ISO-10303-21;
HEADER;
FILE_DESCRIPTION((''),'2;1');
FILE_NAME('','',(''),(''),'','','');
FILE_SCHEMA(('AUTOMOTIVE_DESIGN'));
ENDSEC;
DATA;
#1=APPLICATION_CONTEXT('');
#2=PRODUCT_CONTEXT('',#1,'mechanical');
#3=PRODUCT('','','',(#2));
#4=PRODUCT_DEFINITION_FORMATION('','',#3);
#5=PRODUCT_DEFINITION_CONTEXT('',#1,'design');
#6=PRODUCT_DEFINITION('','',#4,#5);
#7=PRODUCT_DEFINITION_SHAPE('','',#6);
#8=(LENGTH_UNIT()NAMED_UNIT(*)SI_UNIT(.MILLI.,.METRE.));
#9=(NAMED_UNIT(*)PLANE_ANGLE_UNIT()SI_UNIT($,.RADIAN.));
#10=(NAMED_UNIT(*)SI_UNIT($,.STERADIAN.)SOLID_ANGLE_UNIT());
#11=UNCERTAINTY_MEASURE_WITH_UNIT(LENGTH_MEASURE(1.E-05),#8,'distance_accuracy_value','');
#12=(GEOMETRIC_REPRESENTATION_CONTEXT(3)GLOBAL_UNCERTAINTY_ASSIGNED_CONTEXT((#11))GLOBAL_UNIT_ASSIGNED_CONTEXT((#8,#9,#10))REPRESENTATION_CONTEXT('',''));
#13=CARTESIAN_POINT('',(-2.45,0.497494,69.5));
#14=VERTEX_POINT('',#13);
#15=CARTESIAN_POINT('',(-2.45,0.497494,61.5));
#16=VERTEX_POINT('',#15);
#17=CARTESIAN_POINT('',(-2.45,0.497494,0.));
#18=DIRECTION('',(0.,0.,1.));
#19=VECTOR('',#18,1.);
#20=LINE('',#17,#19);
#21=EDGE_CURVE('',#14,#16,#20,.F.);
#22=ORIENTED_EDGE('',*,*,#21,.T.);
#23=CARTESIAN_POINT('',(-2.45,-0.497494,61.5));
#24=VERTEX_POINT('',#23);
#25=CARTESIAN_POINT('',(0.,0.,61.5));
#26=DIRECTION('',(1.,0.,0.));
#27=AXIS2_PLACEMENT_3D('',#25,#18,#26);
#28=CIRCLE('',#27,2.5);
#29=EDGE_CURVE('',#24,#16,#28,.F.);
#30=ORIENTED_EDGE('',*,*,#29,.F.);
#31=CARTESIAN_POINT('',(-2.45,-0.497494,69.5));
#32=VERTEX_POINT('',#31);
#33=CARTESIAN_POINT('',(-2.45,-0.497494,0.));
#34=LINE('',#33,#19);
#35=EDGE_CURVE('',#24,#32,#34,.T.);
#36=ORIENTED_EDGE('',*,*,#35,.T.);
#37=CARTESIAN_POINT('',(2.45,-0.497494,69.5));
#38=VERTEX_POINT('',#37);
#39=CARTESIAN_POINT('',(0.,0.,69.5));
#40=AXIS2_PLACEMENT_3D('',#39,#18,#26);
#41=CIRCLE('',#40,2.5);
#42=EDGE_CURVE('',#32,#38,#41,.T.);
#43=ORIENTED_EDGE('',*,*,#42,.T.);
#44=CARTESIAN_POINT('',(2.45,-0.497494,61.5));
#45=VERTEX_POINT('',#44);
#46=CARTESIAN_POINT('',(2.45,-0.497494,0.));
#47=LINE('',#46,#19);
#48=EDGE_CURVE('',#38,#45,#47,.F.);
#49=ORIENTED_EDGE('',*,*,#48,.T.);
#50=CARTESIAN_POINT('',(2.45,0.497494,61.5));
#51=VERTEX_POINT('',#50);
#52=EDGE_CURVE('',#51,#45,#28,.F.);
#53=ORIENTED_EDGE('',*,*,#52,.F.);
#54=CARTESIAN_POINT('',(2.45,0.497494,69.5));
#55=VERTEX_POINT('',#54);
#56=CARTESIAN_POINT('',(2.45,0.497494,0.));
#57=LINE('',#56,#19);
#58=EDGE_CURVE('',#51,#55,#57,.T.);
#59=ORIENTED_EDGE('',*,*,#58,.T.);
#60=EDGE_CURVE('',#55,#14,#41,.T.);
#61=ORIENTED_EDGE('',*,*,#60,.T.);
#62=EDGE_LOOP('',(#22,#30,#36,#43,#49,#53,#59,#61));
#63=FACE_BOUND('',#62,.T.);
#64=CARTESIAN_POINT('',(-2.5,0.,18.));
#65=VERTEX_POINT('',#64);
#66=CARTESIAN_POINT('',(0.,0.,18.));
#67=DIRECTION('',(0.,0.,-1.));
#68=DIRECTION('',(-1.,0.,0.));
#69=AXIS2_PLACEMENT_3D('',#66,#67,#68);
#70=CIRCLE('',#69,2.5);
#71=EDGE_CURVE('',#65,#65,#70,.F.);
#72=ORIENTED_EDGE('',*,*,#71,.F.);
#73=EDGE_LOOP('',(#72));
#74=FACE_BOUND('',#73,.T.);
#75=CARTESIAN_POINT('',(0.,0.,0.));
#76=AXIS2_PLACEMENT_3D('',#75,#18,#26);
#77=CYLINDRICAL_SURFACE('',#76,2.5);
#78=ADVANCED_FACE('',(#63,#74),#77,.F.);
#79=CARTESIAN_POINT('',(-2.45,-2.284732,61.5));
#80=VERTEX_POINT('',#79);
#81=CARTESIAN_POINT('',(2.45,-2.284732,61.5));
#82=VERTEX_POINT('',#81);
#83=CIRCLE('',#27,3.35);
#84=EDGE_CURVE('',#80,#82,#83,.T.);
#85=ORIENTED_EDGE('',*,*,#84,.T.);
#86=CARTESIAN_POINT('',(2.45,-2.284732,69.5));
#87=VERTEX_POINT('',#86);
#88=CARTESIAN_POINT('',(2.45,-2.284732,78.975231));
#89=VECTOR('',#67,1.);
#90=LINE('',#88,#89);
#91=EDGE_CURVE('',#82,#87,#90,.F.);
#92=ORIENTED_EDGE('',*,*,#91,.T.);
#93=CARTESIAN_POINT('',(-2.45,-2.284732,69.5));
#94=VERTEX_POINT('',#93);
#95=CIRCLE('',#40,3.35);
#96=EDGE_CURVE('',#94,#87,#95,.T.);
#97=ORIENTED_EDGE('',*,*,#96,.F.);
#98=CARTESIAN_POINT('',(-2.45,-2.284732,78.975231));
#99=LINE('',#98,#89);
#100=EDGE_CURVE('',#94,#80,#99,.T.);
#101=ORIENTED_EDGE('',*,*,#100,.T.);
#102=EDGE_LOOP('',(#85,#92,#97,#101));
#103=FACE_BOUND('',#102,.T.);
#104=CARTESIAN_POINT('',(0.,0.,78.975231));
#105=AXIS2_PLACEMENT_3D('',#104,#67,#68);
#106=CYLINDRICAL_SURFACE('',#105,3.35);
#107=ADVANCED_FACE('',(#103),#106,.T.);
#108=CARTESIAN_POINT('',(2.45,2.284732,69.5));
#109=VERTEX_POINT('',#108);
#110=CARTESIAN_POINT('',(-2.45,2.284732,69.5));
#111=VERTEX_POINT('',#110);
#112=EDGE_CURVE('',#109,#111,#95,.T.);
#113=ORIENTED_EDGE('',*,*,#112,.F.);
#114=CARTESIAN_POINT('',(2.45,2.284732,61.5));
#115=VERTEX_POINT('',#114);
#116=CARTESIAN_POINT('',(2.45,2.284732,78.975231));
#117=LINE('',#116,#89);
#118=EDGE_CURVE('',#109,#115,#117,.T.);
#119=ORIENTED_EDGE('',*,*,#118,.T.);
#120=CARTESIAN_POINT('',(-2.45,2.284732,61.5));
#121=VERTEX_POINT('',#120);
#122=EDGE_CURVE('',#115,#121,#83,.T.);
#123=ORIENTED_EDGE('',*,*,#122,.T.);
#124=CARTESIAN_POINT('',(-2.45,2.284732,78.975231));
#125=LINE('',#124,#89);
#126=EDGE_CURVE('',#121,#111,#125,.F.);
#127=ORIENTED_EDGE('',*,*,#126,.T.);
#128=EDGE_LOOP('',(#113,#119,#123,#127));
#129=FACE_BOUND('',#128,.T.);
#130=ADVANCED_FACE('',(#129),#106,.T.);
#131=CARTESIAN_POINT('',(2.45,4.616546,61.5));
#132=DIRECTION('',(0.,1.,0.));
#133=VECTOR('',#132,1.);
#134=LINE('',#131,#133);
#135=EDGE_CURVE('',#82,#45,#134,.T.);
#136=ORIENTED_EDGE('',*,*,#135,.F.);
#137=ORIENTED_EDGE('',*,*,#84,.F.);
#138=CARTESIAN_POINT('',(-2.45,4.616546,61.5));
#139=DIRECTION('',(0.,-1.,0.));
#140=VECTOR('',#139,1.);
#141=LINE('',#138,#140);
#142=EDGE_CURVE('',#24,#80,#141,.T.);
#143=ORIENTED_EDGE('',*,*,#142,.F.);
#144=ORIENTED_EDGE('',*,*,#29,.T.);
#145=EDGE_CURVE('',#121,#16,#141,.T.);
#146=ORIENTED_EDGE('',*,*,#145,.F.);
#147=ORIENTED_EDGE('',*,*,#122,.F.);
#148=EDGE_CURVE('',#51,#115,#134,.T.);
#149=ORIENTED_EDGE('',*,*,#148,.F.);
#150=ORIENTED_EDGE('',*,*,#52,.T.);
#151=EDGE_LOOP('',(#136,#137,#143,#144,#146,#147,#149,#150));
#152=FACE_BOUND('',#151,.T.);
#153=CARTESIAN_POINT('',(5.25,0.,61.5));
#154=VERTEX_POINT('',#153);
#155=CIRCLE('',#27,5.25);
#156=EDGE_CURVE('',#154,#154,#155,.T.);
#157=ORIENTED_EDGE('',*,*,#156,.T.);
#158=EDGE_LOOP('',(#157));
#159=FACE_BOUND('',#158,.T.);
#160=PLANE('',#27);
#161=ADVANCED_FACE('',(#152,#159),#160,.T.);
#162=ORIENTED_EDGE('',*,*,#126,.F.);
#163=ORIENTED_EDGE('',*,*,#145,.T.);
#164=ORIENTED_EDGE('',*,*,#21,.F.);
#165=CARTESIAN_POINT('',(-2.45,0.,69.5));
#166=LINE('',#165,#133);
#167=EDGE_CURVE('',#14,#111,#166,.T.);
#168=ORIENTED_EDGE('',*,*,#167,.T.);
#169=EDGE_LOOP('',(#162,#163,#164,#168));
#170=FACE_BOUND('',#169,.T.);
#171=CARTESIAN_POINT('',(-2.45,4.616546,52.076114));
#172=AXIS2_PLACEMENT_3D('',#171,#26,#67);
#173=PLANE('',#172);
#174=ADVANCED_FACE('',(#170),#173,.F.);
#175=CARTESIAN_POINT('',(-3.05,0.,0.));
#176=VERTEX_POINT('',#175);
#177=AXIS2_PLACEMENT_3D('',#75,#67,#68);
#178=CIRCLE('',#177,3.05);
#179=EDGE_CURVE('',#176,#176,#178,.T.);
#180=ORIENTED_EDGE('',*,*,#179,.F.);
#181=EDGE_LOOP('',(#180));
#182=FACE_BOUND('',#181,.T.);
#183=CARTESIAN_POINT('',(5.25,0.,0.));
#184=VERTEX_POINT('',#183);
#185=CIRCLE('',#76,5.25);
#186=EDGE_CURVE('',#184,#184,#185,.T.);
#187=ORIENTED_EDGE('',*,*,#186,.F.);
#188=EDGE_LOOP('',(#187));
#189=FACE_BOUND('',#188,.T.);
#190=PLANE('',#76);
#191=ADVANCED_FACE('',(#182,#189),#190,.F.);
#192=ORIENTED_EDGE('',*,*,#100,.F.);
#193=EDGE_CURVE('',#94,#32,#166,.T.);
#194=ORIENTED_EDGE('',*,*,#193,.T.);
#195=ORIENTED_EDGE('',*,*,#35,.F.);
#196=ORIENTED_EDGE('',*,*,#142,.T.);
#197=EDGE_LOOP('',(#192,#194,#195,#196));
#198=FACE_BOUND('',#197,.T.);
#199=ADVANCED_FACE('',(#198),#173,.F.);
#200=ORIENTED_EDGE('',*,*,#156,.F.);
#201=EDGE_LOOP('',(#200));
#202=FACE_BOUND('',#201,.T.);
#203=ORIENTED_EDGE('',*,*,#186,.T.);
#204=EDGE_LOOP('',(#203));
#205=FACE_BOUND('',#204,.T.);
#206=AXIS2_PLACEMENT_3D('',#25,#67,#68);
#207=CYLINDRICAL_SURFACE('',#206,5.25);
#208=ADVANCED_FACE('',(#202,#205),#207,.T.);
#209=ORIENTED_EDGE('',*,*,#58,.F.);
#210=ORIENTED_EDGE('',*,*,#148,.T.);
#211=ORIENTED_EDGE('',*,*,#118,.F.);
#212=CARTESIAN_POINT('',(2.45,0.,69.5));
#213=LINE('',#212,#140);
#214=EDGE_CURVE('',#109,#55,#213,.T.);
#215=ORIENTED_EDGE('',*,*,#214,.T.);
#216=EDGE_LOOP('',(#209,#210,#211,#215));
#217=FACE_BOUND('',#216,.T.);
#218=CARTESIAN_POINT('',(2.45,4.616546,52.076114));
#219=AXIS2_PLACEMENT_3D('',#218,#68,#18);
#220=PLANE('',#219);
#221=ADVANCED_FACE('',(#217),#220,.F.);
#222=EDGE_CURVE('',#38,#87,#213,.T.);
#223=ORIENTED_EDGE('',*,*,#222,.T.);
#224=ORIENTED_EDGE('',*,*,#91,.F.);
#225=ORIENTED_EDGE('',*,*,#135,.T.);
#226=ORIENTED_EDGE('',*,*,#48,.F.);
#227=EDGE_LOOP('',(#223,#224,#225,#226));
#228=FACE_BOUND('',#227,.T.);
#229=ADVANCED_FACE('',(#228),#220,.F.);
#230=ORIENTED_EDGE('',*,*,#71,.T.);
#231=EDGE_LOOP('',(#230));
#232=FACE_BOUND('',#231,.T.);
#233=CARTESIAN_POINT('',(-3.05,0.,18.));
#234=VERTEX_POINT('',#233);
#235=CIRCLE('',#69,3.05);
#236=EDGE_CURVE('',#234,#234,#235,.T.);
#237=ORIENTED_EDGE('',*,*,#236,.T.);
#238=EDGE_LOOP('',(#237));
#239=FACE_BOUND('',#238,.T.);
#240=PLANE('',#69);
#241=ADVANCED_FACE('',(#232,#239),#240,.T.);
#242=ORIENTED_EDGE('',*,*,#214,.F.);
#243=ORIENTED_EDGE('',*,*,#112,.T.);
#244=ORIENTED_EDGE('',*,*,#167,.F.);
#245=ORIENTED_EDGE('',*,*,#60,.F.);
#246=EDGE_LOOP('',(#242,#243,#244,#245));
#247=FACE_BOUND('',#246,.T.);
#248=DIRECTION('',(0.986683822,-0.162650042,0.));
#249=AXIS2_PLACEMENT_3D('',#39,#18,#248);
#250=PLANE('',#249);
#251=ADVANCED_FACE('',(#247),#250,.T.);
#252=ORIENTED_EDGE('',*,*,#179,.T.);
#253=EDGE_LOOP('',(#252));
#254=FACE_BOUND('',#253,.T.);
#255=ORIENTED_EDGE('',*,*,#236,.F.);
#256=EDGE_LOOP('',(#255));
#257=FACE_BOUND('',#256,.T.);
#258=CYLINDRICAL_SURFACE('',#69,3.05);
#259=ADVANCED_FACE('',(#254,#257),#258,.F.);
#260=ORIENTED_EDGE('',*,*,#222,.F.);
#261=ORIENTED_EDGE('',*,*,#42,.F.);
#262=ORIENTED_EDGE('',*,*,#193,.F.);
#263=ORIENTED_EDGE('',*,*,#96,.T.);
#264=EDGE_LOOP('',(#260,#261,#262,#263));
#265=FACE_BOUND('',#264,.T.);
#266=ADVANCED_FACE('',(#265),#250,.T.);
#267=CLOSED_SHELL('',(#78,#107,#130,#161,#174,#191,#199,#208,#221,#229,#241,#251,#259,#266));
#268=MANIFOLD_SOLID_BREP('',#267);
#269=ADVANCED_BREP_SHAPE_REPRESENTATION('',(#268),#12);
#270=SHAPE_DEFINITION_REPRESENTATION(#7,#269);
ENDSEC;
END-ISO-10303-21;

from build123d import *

# Parameters (mm, degrees)
SZKIC1_R                    = 5.25
DODANIE_WYCI_GNI_CIE1_DEPTH = 61.5
SZKIC3_R                    = 3.35
DODANIE_WYCI_GNI_CIE2_DEPTH = 8
SZKIC4_R                    = 2.5
WYTNIJ_WYCI_GNI_CIE2_DEPTH  = 70.5
SZKIC7_R                    = 3.05
WYTNIJ_WYCI_GNI_CIE4_DEPTH  = 18
WYTNIJ_WYCI_GNI_CIE8_DEPTH  = 8


with BuildPart() as part:
    # Szkic1 → Dodanie-wyciągnięcie1 (new body)
    with BuildSketch(Plane.XY):
        Circle(SZKIC1_R)
    extrude(amount=DODANIE_WYCI_GNI_CIE1_DEPTH)

    # Szkic3 → Dodanie-wyciągnięcie2 (add)
    with BuildSketch(Plane.XY.offset(61.5)):
        Circle(SZKIC3_R)
    extrude(amount=DODANIE_WYCI_GNI_CIE2_DEPTH)

    # Szkic4 → Wytnij-wyciągnięcie2 (cut, through all)
    with BuildSketch(Plane.XY.offset(69.5)):
        Circle(SZKIC4_R)
    extrude(amount=-WYTNIJ_WYCI_GNI_CIE2_DEPTH, mode=Mode.SUBTRACT)

    # Szkic7 → Wytnij-wyciągnięcie4 (cut)
    with BuildSketch(Plane(origin=(0, 0, 0), x_dir=(-1, 0, 0), z_dir=(0, 0, -1))):
        Circle(SZKIC7_R)
    extrude(amount=-WYTNIJ_WYCI_GNI_CIE4_DEPTH, mode=Mode.SUBTRACT)

    # Szkic10 → Wytnij-wyciągnięcie8 (cut)
    with BuildSketch(Plane.XY.offset(69.5)):
        Polygon((-2.5, 4.616546328), (-2.45, 4.616546328), (-2.45, -4.155907231), (-2.5, -4.155907231), (-5.821141217, -4.155907231), (-5.821141217, 4.616546328), align=None)
        Polygon((2.5, 4.616546328), (2.45, 4.616546328), (2.45, -4.055418973), (2.5, -4.055418973), (5.892918543, -4.155907231), (5.892918543, 4.616546328), align=None)
    extrude(amount=-WYTNIJ_WYCI_GNI_CIE8_DEPTH, mode=Mode.SUBTRACT)


solid = part.part
